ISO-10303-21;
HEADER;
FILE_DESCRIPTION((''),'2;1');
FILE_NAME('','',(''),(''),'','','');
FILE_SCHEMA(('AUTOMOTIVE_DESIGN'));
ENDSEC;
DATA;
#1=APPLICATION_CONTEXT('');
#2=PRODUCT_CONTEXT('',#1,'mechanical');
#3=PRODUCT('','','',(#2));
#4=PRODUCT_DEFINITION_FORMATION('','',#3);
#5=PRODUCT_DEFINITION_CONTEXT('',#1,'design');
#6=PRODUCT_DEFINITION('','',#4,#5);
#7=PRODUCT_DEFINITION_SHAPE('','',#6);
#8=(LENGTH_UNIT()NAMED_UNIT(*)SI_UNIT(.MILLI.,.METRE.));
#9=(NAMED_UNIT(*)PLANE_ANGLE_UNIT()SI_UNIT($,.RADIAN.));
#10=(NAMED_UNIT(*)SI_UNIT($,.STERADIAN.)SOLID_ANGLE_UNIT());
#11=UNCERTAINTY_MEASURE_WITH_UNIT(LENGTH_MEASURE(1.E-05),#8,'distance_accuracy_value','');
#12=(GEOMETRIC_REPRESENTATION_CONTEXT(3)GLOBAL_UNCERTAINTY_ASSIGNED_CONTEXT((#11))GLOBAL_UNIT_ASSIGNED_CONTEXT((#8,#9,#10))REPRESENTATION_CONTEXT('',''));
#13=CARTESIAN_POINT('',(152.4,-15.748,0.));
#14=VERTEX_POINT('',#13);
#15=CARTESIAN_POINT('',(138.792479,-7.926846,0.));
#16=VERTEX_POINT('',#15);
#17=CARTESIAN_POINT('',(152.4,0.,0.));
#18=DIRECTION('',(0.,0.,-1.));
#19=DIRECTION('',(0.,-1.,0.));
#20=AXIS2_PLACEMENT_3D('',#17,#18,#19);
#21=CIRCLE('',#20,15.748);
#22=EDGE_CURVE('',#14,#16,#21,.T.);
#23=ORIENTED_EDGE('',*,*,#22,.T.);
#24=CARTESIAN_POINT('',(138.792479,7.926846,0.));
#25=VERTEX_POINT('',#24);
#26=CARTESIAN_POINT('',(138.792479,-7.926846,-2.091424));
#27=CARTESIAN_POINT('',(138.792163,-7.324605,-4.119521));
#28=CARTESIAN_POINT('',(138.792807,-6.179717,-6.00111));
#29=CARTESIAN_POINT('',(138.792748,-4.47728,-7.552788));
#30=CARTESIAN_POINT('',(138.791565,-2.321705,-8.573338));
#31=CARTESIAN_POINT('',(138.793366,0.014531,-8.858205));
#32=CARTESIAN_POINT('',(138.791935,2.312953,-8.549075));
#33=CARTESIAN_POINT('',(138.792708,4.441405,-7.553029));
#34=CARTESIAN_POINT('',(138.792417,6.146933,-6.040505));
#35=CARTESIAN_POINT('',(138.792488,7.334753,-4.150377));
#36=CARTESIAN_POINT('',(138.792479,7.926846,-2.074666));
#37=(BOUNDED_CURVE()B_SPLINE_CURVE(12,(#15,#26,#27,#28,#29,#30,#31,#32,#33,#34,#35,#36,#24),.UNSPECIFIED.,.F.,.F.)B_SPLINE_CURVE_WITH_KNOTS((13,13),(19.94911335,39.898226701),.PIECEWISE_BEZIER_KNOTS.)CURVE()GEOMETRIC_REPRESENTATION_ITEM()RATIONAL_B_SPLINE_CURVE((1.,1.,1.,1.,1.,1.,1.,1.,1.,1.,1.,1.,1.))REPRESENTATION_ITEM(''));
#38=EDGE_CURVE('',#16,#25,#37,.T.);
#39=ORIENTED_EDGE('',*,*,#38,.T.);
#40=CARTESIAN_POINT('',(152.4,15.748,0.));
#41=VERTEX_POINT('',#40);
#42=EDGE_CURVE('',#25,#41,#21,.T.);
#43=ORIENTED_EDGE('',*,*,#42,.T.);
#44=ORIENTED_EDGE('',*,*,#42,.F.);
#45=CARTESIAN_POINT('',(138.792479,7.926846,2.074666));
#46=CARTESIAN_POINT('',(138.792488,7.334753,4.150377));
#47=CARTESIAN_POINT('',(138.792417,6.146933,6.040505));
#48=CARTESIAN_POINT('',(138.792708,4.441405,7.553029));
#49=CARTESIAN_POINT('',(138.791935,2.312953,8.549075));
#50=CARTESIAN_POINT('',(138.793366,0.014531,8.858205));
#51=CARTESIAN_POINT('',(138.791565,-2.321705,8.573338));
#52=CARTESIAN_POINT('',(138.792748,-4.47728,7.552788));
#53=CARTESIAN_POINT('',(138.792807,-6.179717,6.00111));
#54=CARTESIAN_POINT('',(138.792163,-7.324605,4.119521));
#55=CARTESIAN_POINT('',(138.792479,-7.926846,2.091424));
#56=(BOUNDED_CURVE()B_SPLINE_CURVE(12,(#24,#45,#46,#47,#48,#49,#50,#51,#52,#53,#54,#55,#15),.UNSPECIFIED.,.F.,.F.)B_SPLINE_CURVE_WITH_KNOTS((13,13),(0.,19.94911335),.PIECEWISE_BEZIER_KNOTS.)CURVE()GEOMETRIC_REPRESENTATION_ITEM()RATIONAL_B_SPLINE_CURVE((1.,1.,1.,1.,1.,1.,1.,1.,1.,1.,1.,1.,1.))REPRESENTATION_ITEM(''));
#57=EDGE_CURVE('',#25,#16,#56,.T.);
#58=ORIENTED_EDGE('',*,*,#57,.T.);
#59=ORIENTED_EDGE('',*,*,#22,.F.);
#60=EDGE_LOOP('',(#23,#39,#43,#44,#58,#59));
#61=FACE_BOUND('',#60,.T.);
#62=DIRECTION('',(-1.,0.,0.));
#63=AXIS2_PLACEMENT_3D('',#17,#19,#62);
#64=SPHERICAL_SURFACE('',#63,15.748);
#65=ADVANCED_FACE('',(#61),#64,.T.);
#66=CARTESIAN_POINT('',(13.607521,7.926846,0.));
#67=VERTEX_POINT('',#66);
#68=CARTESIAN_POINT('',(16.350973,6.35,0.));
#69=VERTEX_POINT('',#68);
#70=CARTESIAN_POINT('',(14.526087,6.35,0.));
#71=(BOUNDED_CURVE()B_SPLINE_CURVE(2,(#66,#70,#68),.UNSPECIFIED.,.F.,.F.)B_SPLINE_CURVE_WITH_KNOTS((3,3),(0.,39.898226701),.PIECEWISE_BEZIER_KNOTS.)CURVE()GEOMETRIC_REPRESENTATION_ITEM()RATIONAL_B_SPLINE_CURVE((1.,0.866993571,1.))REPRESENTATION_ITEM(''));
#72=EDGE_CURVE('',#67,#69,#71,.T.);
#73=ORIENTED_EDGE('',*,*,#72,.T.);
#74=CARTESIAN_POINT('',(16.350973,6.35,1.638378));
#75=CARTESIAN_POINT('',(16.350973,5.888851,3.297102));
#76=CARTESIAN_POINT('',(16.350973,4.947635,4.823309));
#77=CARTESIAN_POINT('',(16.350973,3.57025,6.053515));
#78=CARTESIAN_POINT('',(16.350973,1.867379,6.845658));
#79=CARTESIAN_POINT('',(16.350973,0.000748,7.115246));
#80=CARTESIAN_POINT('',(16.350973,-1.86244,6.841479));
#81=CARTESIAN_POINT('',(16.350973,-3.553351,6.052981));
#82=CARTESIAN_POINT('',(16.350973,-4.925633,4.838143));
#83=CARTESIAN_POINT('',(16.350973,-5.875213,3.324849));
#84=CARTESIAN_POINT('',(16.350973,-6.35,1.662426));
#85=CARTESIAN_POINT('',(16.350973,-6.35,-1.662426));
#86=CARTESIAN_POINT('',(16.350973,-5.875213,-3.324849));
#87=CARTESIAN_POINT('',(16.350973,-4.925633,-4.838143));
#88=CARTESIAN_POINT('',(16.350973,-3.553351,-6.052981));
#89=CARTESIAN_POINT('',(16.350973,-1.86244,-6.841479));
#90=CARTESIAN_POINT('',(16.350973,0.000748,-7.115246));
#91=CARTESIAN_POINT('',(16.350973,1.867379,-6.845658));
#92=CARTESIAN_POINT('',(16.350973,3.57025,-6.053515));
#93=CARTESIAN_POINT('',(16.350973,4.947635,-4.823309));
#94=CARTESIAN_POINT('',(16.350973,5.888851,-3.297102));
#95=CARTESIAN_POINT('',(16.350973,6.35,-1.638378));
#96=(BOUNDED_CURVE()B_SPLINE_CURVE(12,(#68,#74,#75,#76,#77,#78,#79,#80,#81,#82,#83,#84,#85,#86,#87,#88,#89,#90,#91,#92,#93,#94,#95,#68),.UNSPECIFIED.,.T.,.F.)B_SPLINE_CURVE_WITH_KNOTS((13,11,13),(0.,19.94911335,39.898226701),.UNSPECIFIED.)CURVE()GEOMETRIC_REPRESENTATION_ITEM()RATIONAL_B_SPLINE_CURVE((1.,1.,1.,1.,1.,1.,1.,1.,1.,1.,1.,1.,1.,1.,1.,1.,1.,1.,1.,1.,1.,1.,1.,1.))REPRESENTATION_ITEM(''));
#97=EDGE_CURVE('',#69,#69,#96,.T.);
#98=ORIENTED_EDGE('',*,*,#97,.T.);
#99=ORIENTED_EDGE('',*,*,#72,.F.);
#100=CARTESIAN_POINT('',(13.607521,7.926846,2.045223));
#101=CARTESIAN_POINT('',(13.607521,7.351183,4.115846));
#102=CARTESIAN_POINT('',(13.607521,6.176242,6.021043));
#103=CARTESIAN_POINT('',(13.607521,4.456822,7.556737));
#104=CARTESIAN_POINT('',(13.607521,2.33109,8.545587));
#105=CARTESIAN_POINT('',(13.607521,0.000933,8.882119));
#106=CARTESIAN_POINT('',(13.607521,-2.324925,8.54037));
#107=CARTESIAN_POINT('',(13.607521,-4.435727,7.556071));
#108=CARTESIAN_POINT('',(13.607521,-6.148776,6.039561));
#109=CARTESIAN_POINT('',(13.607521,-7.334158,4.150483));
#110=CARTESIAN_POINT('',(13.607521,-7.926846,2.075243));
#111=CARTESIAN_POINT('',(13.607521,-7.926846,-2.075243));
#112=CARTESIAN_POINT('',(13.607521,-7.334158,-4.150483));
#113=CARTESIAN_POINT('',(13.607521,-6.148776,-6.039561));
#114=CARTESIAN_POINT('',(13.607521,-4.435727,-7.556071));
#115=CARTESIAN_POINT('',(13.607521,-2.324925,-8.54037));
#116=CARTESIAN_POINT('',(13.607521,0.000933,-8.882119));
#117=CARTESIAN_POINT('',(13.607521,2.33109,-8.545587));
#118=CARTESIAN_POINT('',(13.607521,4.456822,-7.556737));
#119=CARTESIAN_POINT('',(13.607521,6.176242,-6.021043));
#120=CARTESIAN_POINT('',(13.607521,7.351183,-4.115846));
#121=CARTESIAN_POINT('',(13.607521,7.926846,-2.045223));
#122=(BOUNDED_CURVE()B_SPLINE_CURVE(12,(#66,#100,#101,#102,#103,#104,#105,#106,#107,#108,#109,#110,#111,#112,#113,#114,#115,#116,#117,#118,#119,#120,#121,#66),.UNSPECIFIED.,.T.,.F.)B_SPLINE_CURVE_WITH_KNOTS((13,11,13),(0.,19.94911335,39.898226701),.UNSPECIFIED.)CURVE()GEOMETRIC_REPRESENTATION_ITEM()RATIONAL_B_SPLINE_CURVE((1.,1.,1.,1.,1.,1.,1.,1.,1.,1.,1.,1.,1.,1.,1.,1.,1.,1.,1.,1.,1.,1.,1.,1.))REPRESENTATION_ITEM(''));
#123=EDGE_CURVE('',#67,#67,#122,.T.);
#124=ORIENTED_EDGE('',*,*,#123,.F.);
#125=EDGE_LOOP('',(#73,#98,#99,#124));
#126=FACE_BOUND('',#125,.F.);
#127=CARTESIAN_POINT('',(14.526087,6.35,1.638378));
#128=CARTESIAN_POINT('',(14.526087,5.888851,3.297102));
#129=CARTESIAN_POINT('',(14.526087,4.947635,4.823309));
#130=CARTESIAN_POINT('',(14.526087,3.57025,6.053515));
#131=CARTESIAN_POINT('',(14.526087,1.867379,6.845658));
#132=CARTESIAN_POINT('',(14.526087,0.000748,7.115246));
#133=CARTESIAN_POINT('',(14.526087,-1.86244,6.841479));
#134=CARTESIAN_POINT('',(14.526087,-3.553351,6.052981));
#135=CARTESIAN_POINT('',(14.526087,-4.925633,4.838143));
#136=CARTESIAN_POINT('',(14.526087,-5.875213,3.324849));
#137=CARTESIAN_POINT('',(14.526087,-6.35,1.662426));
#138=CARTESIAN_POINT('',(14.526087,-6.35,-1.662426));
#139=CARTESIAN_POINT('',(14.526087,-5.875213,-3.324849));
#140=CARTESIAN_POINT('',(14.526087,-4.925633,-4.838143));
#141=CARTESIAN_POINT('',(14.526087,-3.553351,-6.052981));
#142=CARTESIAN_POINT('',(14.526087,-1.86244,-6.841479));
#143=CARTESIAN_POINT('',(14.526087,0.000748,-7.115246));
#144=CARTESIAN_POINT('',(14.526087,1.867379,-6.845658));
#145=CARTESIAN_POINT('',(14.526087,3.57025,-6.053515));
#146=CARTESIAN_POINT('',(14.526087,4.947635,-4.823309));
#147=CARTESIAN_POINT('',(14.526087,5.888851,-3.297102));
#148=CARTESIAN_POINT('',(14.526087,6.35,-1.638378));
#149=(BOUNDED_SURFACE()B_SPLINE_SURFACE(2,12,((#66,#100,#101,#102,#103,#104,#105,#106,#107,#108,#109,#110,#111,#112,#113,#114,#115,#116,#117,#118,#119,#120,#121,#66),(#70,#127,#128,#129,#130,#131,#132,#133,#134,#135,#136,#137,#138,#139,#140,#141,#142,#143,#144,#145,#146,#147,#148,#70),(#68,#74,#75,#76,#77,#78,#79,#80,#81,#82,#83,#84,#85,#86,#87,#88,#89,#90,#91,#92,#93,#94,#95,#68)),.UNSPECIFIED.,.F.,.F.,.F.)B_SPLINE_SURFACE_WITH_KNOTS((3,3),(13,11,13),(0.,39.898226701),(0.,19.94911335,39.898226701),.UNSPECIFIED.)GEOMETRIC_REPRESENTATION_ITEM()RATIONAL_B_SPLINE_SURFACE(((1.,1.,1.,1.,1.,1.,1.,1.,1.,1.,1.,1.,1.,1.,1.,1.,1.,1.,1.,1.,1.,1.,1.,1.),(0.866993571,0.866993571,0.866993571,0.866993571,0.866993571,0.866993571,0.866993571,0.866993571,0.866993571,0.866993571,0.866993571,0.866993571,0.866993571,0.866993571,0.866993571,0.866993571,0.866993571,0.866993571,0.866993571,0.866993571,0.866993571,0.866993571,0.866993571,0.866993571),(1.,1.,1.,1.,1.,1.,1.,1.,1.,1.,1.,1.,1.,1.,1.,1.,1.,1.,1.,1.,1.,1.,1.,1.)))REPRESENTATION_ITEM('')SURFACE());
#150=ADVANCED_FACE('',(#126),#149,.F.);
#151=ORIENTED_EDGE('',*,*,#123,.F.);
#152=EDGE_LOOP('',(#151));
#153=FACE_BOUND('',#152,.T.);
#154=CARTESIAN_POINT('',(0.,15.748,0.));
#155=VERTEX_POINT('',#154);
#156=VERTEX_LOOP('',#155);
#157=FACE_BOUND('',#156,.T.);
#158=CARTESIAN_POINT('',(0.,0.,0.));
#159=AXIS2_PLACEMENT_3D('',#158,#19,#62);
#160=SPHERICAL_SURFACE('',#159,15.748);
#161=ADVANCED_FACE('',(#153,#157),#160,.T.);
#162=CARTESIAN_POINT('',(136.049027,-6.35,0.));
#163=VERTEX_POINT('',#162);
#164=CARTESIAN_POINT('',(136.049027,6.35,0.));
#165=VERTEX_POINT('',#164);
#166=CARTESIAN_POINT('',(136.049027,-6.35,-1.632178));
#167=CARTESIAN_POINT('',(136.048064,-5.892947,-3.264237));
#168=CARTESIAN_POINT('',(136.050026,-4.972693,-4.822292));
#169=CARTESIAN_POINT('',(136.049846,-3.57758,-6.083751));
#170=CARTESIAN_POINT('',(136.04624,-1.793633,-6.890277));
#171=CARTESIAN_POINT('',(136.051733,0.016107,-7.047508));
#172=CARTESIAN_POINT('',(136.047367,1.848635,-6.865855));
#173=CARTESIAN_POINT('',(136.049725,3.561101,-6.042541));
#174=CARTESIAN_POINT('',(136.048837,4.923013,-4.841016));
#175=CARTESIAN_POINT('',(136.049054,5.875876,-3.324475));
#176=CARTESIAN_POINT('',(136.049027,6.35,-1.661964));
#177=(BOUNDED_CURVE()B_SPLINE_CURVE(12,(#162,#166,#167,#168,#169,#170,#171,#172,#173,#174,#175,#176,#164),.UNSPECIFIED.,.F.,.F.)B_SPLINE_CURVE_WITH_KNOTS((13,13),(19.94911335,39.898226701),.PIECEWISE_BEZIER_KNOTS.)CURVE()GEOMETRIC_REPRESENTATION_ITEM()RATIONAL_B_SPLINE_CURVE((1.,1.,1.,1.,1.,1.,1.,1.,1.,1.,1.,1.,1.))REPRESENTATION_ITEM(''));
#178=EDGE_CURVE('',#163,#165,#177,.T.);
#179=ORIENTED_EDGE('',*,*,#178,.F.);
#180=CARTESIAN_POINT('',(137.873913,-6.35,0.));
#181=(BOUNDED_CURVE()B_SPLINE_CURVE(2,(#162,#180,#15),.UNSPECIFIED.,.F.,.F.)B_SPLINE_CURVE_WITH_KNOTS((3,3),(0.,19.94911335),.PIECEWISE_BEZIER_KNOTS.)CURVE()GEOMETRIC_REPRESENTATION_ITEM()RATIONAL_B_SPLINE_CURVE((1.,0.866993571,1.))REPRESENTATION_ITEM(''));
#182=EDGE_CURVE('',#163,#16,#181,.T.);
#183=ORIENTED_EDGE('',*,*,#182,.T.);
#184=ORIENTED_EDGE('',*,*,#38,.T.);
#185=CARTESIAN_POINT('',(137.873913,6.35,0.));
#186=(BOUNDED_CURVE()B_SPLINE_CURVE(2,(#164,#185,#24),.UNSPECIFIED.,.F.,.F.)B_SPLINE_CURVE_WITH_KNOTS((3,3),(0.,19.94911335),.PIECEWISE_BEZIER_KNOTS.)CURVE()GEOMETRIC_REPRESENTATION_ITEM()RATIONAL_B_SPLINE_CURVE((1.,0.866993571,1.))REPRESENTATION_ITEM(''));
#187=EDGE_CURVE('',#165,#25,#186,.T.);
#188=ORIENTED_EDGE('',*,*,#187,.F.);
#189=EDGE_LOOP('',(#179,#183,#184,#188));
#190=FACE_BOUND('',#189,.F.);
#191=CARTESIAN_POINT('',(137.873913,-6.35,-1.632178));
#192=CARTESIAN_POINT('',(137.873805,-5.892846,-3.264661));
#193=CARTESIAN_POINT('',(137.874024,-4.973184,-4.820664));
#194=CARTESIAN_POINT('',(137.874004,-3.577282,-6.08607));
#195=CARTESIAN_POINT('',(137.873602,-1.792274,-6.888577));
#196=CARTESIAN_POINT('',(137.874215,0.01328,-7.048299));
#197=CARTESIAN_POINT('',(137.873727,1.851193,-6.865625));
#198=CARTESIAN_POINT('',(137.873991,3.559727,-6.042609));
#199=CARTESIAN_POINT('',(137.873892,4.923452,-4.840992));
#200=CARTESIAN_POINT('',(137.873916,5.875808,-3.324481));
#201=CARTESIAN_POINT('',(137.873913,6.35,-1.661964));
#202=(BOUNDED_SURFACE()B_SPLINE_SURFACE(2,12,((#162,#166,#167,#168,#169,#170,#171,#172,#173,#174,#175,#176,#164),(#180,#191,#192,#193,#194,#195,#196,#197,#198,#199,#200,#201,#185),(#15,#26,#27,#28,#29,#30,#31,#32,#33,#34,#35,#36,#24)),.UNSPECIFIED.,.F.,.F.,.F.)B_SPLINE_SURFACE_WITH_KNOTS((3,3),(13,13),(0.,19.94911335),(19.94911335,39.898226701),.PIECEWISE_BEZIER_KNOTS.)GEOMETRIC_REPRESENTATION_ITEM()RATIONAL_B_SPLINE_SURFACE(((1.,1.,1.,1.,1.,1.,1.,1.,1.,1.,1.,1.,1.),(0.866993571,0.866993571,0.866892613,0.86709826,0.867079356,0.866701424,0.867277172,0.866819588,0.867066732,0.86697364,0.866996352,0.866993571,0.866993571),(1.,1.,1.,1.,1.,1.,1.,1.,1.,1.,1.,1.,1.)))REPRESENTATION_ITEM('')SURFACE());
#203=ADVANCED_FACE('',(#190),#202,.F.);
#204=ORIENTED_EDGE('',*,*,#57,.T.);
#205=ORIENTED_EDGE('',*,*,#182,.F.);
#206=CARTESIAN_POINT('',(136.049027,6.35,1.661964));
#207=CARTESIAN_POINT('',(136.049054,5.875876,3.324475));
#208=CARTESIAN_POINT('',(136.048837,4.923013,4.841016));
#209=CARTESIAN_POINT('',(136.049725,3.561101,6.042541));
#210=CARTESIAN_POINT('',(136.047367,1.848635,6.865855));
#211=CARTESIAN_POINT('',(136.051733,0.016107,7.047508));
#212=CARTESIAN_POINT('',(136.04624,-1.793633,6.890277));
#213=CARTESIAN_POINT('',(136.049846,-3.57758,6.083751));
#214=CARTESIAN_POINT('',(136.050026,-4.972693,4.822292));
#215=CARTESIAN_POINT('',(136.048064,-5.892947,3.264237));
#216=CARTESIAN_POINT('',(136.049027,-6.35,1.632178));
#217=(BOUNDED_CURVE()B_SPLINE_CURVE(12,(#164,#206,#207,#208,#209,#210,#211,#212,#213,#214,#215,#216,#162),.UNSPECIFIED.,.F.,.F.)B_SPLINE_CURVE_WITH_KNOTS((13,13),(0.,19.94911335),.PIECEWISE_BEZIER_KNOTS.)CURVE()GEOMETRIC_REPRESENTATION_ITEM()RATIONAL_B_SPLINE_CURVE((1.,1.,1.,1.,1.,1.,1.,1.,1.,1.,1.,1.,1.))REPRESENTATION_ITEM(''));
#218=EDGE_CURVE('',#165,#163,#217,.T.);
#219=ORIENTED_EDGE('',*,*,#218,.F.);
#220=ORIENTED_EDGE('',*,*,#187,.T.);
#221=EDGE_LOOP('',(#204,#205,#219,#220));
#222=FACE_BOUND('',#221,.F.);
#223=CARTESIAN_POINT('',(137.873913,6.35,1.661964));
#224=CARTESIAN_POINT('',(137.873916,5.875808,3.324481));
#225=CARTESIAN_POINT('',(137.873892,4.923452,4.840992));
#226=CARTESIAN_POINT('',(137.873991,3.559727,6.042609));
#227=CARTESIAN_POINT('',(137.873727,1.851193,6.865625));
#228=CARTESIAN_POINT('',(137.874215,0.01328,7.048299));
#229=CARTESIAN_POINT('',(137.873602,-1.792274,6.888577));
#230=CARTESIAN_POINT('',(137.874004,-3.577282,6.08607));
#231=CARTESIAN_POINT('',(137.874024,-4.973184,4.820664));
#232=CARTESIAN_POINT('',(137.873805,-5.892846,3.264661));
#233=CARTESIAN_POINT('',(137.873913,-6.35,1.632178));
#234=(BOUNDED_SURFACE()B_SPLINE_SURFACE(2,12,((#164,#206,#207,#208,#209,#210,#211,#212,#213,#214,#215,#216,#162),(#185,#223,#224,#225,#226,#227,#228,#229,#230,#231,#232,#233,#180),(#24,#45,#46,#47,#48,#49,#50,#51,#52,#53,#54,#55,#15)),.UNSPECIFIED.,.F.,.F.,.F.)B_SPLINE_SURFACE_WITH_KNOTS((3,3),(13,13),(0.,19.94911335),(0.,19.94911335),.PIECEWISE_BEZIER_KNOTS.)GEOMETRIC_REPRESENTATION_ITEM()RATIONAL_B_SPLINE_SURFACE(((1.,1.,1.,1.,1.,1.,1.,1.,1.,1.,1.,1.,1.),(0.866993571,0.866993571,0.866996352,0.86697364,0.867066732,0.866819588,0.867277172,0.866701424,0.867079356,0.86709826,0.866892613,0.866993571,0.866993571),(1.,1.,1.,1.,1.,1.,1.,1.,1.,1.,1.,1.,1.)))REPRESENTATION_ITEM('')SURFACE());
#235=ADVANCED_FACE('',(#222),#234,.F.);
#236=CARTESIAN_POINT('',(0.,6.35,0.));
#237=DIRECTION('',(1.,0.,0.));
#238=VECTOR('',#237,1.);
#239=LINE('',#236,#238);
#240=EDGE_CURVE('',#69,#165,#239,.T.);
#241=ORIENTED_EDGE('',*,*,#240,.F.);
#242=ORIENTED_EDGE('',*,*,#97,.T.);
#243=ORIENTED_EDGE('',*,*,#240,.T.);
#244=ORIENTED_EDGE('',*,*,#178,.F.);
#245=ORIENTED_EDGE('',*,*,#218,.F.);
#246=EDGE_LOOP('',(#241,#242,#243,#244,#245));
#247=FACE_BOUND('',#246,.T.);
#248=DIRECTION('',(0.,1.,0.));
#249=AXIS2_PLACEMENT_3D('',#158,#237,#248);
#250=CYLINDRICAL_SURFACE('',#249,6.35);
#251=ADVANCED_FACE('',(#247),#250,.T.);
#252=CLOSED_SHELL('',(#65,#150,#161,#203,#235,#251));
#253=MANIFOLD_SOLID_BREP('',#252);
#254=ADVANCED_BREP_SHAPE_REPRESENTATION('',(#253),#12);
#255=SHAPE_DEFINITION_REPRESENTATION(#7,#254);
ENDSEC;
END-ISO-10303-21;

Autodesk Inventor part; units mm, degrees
ref_plane "YZ Plane" through (0, 0, 0) normal (1, 0, 0) x (0, 1, 0)
ref_plane "XZ Plane" through (0, 0, 0) normal (0, 1, 0) x (-1, 0, 0)
ref_plane "XY Plane" through (0, 0, 0) normal (0, 0, 1) x (1, 0, 0)
sketch "Sketch1" plane through (0, 0, 0) normal (0, 0, 1) x (1, 0, 0)
  circle A0 centre (0, 0) radius 15.748
  circle A1 centre (152.4, 0) radius 15.748
  line L0 (0, 0) -> (152.4, 0)
  line L1 (0, 15.748) -> (0, -15.748)
  line L2 (152.4, 15.748) -> (152.4, -15.748)
  dimension "d2" = 15.748
  dimension "d4" = 152.4
revolve "Revolution1" add sketch "Sketch1" angle 360 about axis through (0, 15.748, 0) along (0, -1, 0) contours L1 A0
revolve "Revolution2" add sketch "Sketch1" angle 360 about axis through (152.4, 15.748, 0) along (0, -1, 0) contours A1 L2 L0 | L0 L2 A1
sketch "Sketch2" plane through (0, 0, 0) normal (1, 0, 0) x (0, 1, 0)
  circle A0 centre (0, 0) radius 6.35
  dimension "d7" = 12.7
sweep "Sweep1" add profiles "Sketch2" path "Sketch1" path curves L0
fillet "Fillet1" radius 3.175 3 edges at (14.411, -6.35, 0) (137.989, 0, 6.35) (137.989, 0, -6.35)
properties part number "Prop_Conrod" material "Nickel-Copper Alloy 400"
